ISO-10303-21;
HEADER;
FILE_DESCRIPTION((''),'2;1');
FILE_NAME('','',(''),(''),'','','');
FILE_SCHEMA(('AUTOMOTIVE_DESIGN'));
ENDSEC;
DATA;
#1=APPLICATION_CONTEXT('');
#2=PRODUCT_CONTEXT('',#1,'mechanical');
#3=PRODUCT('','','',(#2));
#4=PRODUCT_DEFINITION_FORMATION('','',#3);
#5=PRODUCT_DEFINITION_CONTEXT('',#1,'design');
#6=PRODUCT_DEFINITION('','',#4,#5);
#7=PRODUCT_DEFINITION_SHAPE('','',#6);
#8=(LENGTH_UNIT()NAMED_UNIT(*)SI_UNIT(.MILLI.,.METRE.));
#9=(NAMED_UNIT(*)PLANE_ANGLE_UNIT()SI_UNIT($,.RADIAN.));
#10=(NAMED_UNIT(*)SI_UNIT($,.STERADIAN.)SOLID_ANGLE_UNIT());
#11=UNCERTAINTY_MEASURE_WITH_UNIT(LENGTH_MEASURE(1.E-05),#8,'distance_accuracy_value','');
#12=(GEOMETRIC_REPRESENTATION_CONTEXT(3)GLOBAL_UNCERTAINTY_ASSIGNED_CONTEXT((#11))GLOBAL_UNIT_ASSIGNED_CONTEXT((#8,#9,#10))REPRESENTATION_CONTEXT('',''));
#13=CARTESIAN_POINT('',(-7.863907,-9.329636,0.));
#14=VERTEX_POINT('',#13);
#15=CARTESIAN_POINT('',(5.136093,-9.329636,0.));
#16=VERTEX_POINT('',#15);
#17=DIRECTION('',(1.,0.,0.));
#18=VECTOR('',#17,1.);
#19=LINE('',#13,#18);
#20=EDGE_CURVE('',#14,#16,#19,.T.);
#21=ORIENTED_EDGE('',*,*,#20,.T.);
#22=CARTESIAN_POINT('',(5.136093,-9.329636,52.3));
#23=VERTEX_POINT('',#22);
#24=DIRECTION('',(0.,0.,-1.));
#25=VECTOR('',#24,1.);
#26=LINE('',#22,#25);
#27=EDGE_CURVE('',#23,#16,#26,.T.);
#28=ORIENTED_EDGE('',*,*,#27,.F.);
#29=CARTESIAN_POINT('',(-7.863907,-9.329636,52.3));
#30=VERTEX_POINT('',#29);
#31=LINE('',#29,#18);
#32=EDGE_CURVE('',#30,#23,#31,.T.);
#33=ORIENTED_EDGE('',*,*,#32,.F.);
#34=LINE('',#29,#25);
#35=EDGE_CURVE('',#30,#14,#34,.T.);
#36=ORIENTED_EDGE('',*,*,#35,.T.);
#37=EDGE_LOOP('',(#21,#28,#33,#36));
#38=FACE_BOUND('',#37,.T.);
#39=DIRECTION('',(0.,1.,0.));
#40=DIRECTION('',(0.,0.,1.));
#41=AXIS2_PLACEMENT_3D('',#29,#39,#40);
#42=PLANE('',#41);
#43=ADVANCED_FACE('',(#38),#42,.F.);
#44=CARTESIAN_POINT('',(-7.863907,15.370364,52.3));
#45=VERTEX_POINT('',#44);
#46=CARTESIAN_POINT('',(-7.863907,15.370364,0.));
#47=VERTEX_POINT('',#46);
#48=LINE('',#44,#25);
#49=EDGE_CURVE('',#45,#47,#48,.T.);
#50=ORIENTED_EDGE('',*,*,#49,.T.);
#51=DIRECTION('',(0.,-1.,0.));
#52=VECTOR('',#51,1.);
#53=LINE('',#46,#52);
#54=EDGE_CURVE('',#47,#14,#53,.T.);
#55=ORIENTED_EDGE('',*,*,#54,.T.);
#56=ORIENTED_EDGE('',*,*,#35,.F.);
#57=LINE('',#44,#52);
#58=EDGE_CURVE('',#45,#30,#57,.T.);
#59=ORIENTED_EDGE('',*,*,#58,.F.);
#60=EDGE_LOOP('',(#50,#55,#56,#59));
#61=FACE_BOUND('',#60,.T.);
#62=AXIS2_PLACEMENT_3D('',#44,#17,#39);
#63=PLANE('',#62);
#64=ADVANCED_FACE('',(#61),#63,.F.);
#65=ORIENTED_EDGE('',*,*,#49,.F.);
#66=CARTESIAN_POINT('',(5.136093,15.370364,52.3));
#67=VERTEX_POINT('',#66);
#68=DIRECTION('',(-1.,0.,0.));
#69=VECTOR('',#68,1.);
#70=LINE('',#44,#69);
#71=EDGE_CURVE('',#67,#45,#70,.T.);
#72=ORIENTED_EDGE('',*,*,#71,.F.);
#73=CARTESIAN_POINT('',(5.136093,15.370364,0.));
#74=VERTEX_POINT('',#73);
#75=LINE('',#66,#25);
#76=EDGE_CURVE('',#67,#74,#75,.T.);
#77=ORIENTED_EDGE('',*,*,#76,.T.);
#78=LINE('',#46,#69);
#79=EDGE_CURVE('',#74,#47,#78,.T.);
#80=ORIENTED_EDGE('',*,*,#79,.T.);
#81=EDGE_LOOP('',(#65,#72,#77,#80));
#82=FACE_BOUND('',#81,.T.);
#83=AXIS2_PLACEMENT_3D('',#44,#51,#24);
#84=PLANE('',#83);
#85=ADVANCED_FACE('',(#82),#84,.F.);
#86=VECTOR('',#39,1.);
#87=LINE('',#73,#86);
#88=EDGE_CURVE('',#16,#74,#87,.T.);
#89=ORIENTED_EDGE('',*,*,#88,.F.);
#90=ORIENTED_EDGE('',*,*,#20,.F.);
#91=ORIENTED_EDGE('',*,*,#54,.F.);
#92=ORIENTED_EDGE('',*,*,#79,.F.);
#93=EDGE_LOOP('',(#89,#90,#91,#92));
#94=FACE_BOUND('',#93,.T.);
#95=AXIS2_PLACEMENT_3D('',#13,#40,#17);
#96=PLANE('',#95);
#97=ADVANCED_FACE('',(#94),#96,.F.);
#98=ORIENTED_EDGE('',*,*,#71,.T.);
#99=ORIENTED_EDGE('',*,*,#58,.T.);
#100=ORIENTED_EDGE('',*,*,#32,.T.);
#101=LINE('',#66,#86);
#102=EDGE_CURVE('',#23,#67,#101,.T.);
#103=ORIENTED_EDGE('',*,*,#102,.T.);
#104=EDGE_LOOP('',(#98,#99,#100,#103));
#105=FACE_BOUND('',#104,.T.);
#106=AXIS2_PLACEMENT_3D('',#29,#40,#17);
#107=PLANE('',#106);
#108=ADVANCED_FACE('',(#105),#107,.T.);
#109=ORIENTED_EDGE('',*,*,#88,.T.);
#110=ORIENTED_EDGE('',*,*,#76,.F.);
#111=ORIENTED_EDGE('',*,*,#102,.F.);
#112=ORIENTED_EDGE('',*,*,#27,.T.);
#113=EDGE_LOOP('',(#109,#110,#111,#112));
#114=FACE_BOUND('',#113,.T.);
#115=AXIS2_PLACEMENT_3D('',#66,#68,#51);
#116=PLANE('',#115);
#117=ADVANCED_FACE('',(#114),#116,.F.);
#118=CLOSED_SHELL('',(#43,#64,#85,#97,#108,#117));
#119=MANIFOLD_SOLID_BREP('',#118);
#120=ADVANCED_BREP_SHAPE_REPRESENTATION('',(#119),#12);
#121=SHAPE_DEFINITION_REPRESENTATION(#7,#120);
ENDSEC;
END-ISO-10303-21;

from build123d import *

# Parameters (mm, degrees)
SKETCH1_W      = 13
SKETCH1_H      = 24.7
EXTRUDE1_DEPTH = 52.3


with BuildPart() as part:
    # Sketch1 → Extrude1 (new body)
    with BuildSketch(Plane.XY):
        with Locations((-1.363907285, 3.020364238)):
            Rectangle(SKETCH1_W, SKETCH1_H)
    extrude(amount=EXTRUDE1_DEPTH)


solid = part.part
